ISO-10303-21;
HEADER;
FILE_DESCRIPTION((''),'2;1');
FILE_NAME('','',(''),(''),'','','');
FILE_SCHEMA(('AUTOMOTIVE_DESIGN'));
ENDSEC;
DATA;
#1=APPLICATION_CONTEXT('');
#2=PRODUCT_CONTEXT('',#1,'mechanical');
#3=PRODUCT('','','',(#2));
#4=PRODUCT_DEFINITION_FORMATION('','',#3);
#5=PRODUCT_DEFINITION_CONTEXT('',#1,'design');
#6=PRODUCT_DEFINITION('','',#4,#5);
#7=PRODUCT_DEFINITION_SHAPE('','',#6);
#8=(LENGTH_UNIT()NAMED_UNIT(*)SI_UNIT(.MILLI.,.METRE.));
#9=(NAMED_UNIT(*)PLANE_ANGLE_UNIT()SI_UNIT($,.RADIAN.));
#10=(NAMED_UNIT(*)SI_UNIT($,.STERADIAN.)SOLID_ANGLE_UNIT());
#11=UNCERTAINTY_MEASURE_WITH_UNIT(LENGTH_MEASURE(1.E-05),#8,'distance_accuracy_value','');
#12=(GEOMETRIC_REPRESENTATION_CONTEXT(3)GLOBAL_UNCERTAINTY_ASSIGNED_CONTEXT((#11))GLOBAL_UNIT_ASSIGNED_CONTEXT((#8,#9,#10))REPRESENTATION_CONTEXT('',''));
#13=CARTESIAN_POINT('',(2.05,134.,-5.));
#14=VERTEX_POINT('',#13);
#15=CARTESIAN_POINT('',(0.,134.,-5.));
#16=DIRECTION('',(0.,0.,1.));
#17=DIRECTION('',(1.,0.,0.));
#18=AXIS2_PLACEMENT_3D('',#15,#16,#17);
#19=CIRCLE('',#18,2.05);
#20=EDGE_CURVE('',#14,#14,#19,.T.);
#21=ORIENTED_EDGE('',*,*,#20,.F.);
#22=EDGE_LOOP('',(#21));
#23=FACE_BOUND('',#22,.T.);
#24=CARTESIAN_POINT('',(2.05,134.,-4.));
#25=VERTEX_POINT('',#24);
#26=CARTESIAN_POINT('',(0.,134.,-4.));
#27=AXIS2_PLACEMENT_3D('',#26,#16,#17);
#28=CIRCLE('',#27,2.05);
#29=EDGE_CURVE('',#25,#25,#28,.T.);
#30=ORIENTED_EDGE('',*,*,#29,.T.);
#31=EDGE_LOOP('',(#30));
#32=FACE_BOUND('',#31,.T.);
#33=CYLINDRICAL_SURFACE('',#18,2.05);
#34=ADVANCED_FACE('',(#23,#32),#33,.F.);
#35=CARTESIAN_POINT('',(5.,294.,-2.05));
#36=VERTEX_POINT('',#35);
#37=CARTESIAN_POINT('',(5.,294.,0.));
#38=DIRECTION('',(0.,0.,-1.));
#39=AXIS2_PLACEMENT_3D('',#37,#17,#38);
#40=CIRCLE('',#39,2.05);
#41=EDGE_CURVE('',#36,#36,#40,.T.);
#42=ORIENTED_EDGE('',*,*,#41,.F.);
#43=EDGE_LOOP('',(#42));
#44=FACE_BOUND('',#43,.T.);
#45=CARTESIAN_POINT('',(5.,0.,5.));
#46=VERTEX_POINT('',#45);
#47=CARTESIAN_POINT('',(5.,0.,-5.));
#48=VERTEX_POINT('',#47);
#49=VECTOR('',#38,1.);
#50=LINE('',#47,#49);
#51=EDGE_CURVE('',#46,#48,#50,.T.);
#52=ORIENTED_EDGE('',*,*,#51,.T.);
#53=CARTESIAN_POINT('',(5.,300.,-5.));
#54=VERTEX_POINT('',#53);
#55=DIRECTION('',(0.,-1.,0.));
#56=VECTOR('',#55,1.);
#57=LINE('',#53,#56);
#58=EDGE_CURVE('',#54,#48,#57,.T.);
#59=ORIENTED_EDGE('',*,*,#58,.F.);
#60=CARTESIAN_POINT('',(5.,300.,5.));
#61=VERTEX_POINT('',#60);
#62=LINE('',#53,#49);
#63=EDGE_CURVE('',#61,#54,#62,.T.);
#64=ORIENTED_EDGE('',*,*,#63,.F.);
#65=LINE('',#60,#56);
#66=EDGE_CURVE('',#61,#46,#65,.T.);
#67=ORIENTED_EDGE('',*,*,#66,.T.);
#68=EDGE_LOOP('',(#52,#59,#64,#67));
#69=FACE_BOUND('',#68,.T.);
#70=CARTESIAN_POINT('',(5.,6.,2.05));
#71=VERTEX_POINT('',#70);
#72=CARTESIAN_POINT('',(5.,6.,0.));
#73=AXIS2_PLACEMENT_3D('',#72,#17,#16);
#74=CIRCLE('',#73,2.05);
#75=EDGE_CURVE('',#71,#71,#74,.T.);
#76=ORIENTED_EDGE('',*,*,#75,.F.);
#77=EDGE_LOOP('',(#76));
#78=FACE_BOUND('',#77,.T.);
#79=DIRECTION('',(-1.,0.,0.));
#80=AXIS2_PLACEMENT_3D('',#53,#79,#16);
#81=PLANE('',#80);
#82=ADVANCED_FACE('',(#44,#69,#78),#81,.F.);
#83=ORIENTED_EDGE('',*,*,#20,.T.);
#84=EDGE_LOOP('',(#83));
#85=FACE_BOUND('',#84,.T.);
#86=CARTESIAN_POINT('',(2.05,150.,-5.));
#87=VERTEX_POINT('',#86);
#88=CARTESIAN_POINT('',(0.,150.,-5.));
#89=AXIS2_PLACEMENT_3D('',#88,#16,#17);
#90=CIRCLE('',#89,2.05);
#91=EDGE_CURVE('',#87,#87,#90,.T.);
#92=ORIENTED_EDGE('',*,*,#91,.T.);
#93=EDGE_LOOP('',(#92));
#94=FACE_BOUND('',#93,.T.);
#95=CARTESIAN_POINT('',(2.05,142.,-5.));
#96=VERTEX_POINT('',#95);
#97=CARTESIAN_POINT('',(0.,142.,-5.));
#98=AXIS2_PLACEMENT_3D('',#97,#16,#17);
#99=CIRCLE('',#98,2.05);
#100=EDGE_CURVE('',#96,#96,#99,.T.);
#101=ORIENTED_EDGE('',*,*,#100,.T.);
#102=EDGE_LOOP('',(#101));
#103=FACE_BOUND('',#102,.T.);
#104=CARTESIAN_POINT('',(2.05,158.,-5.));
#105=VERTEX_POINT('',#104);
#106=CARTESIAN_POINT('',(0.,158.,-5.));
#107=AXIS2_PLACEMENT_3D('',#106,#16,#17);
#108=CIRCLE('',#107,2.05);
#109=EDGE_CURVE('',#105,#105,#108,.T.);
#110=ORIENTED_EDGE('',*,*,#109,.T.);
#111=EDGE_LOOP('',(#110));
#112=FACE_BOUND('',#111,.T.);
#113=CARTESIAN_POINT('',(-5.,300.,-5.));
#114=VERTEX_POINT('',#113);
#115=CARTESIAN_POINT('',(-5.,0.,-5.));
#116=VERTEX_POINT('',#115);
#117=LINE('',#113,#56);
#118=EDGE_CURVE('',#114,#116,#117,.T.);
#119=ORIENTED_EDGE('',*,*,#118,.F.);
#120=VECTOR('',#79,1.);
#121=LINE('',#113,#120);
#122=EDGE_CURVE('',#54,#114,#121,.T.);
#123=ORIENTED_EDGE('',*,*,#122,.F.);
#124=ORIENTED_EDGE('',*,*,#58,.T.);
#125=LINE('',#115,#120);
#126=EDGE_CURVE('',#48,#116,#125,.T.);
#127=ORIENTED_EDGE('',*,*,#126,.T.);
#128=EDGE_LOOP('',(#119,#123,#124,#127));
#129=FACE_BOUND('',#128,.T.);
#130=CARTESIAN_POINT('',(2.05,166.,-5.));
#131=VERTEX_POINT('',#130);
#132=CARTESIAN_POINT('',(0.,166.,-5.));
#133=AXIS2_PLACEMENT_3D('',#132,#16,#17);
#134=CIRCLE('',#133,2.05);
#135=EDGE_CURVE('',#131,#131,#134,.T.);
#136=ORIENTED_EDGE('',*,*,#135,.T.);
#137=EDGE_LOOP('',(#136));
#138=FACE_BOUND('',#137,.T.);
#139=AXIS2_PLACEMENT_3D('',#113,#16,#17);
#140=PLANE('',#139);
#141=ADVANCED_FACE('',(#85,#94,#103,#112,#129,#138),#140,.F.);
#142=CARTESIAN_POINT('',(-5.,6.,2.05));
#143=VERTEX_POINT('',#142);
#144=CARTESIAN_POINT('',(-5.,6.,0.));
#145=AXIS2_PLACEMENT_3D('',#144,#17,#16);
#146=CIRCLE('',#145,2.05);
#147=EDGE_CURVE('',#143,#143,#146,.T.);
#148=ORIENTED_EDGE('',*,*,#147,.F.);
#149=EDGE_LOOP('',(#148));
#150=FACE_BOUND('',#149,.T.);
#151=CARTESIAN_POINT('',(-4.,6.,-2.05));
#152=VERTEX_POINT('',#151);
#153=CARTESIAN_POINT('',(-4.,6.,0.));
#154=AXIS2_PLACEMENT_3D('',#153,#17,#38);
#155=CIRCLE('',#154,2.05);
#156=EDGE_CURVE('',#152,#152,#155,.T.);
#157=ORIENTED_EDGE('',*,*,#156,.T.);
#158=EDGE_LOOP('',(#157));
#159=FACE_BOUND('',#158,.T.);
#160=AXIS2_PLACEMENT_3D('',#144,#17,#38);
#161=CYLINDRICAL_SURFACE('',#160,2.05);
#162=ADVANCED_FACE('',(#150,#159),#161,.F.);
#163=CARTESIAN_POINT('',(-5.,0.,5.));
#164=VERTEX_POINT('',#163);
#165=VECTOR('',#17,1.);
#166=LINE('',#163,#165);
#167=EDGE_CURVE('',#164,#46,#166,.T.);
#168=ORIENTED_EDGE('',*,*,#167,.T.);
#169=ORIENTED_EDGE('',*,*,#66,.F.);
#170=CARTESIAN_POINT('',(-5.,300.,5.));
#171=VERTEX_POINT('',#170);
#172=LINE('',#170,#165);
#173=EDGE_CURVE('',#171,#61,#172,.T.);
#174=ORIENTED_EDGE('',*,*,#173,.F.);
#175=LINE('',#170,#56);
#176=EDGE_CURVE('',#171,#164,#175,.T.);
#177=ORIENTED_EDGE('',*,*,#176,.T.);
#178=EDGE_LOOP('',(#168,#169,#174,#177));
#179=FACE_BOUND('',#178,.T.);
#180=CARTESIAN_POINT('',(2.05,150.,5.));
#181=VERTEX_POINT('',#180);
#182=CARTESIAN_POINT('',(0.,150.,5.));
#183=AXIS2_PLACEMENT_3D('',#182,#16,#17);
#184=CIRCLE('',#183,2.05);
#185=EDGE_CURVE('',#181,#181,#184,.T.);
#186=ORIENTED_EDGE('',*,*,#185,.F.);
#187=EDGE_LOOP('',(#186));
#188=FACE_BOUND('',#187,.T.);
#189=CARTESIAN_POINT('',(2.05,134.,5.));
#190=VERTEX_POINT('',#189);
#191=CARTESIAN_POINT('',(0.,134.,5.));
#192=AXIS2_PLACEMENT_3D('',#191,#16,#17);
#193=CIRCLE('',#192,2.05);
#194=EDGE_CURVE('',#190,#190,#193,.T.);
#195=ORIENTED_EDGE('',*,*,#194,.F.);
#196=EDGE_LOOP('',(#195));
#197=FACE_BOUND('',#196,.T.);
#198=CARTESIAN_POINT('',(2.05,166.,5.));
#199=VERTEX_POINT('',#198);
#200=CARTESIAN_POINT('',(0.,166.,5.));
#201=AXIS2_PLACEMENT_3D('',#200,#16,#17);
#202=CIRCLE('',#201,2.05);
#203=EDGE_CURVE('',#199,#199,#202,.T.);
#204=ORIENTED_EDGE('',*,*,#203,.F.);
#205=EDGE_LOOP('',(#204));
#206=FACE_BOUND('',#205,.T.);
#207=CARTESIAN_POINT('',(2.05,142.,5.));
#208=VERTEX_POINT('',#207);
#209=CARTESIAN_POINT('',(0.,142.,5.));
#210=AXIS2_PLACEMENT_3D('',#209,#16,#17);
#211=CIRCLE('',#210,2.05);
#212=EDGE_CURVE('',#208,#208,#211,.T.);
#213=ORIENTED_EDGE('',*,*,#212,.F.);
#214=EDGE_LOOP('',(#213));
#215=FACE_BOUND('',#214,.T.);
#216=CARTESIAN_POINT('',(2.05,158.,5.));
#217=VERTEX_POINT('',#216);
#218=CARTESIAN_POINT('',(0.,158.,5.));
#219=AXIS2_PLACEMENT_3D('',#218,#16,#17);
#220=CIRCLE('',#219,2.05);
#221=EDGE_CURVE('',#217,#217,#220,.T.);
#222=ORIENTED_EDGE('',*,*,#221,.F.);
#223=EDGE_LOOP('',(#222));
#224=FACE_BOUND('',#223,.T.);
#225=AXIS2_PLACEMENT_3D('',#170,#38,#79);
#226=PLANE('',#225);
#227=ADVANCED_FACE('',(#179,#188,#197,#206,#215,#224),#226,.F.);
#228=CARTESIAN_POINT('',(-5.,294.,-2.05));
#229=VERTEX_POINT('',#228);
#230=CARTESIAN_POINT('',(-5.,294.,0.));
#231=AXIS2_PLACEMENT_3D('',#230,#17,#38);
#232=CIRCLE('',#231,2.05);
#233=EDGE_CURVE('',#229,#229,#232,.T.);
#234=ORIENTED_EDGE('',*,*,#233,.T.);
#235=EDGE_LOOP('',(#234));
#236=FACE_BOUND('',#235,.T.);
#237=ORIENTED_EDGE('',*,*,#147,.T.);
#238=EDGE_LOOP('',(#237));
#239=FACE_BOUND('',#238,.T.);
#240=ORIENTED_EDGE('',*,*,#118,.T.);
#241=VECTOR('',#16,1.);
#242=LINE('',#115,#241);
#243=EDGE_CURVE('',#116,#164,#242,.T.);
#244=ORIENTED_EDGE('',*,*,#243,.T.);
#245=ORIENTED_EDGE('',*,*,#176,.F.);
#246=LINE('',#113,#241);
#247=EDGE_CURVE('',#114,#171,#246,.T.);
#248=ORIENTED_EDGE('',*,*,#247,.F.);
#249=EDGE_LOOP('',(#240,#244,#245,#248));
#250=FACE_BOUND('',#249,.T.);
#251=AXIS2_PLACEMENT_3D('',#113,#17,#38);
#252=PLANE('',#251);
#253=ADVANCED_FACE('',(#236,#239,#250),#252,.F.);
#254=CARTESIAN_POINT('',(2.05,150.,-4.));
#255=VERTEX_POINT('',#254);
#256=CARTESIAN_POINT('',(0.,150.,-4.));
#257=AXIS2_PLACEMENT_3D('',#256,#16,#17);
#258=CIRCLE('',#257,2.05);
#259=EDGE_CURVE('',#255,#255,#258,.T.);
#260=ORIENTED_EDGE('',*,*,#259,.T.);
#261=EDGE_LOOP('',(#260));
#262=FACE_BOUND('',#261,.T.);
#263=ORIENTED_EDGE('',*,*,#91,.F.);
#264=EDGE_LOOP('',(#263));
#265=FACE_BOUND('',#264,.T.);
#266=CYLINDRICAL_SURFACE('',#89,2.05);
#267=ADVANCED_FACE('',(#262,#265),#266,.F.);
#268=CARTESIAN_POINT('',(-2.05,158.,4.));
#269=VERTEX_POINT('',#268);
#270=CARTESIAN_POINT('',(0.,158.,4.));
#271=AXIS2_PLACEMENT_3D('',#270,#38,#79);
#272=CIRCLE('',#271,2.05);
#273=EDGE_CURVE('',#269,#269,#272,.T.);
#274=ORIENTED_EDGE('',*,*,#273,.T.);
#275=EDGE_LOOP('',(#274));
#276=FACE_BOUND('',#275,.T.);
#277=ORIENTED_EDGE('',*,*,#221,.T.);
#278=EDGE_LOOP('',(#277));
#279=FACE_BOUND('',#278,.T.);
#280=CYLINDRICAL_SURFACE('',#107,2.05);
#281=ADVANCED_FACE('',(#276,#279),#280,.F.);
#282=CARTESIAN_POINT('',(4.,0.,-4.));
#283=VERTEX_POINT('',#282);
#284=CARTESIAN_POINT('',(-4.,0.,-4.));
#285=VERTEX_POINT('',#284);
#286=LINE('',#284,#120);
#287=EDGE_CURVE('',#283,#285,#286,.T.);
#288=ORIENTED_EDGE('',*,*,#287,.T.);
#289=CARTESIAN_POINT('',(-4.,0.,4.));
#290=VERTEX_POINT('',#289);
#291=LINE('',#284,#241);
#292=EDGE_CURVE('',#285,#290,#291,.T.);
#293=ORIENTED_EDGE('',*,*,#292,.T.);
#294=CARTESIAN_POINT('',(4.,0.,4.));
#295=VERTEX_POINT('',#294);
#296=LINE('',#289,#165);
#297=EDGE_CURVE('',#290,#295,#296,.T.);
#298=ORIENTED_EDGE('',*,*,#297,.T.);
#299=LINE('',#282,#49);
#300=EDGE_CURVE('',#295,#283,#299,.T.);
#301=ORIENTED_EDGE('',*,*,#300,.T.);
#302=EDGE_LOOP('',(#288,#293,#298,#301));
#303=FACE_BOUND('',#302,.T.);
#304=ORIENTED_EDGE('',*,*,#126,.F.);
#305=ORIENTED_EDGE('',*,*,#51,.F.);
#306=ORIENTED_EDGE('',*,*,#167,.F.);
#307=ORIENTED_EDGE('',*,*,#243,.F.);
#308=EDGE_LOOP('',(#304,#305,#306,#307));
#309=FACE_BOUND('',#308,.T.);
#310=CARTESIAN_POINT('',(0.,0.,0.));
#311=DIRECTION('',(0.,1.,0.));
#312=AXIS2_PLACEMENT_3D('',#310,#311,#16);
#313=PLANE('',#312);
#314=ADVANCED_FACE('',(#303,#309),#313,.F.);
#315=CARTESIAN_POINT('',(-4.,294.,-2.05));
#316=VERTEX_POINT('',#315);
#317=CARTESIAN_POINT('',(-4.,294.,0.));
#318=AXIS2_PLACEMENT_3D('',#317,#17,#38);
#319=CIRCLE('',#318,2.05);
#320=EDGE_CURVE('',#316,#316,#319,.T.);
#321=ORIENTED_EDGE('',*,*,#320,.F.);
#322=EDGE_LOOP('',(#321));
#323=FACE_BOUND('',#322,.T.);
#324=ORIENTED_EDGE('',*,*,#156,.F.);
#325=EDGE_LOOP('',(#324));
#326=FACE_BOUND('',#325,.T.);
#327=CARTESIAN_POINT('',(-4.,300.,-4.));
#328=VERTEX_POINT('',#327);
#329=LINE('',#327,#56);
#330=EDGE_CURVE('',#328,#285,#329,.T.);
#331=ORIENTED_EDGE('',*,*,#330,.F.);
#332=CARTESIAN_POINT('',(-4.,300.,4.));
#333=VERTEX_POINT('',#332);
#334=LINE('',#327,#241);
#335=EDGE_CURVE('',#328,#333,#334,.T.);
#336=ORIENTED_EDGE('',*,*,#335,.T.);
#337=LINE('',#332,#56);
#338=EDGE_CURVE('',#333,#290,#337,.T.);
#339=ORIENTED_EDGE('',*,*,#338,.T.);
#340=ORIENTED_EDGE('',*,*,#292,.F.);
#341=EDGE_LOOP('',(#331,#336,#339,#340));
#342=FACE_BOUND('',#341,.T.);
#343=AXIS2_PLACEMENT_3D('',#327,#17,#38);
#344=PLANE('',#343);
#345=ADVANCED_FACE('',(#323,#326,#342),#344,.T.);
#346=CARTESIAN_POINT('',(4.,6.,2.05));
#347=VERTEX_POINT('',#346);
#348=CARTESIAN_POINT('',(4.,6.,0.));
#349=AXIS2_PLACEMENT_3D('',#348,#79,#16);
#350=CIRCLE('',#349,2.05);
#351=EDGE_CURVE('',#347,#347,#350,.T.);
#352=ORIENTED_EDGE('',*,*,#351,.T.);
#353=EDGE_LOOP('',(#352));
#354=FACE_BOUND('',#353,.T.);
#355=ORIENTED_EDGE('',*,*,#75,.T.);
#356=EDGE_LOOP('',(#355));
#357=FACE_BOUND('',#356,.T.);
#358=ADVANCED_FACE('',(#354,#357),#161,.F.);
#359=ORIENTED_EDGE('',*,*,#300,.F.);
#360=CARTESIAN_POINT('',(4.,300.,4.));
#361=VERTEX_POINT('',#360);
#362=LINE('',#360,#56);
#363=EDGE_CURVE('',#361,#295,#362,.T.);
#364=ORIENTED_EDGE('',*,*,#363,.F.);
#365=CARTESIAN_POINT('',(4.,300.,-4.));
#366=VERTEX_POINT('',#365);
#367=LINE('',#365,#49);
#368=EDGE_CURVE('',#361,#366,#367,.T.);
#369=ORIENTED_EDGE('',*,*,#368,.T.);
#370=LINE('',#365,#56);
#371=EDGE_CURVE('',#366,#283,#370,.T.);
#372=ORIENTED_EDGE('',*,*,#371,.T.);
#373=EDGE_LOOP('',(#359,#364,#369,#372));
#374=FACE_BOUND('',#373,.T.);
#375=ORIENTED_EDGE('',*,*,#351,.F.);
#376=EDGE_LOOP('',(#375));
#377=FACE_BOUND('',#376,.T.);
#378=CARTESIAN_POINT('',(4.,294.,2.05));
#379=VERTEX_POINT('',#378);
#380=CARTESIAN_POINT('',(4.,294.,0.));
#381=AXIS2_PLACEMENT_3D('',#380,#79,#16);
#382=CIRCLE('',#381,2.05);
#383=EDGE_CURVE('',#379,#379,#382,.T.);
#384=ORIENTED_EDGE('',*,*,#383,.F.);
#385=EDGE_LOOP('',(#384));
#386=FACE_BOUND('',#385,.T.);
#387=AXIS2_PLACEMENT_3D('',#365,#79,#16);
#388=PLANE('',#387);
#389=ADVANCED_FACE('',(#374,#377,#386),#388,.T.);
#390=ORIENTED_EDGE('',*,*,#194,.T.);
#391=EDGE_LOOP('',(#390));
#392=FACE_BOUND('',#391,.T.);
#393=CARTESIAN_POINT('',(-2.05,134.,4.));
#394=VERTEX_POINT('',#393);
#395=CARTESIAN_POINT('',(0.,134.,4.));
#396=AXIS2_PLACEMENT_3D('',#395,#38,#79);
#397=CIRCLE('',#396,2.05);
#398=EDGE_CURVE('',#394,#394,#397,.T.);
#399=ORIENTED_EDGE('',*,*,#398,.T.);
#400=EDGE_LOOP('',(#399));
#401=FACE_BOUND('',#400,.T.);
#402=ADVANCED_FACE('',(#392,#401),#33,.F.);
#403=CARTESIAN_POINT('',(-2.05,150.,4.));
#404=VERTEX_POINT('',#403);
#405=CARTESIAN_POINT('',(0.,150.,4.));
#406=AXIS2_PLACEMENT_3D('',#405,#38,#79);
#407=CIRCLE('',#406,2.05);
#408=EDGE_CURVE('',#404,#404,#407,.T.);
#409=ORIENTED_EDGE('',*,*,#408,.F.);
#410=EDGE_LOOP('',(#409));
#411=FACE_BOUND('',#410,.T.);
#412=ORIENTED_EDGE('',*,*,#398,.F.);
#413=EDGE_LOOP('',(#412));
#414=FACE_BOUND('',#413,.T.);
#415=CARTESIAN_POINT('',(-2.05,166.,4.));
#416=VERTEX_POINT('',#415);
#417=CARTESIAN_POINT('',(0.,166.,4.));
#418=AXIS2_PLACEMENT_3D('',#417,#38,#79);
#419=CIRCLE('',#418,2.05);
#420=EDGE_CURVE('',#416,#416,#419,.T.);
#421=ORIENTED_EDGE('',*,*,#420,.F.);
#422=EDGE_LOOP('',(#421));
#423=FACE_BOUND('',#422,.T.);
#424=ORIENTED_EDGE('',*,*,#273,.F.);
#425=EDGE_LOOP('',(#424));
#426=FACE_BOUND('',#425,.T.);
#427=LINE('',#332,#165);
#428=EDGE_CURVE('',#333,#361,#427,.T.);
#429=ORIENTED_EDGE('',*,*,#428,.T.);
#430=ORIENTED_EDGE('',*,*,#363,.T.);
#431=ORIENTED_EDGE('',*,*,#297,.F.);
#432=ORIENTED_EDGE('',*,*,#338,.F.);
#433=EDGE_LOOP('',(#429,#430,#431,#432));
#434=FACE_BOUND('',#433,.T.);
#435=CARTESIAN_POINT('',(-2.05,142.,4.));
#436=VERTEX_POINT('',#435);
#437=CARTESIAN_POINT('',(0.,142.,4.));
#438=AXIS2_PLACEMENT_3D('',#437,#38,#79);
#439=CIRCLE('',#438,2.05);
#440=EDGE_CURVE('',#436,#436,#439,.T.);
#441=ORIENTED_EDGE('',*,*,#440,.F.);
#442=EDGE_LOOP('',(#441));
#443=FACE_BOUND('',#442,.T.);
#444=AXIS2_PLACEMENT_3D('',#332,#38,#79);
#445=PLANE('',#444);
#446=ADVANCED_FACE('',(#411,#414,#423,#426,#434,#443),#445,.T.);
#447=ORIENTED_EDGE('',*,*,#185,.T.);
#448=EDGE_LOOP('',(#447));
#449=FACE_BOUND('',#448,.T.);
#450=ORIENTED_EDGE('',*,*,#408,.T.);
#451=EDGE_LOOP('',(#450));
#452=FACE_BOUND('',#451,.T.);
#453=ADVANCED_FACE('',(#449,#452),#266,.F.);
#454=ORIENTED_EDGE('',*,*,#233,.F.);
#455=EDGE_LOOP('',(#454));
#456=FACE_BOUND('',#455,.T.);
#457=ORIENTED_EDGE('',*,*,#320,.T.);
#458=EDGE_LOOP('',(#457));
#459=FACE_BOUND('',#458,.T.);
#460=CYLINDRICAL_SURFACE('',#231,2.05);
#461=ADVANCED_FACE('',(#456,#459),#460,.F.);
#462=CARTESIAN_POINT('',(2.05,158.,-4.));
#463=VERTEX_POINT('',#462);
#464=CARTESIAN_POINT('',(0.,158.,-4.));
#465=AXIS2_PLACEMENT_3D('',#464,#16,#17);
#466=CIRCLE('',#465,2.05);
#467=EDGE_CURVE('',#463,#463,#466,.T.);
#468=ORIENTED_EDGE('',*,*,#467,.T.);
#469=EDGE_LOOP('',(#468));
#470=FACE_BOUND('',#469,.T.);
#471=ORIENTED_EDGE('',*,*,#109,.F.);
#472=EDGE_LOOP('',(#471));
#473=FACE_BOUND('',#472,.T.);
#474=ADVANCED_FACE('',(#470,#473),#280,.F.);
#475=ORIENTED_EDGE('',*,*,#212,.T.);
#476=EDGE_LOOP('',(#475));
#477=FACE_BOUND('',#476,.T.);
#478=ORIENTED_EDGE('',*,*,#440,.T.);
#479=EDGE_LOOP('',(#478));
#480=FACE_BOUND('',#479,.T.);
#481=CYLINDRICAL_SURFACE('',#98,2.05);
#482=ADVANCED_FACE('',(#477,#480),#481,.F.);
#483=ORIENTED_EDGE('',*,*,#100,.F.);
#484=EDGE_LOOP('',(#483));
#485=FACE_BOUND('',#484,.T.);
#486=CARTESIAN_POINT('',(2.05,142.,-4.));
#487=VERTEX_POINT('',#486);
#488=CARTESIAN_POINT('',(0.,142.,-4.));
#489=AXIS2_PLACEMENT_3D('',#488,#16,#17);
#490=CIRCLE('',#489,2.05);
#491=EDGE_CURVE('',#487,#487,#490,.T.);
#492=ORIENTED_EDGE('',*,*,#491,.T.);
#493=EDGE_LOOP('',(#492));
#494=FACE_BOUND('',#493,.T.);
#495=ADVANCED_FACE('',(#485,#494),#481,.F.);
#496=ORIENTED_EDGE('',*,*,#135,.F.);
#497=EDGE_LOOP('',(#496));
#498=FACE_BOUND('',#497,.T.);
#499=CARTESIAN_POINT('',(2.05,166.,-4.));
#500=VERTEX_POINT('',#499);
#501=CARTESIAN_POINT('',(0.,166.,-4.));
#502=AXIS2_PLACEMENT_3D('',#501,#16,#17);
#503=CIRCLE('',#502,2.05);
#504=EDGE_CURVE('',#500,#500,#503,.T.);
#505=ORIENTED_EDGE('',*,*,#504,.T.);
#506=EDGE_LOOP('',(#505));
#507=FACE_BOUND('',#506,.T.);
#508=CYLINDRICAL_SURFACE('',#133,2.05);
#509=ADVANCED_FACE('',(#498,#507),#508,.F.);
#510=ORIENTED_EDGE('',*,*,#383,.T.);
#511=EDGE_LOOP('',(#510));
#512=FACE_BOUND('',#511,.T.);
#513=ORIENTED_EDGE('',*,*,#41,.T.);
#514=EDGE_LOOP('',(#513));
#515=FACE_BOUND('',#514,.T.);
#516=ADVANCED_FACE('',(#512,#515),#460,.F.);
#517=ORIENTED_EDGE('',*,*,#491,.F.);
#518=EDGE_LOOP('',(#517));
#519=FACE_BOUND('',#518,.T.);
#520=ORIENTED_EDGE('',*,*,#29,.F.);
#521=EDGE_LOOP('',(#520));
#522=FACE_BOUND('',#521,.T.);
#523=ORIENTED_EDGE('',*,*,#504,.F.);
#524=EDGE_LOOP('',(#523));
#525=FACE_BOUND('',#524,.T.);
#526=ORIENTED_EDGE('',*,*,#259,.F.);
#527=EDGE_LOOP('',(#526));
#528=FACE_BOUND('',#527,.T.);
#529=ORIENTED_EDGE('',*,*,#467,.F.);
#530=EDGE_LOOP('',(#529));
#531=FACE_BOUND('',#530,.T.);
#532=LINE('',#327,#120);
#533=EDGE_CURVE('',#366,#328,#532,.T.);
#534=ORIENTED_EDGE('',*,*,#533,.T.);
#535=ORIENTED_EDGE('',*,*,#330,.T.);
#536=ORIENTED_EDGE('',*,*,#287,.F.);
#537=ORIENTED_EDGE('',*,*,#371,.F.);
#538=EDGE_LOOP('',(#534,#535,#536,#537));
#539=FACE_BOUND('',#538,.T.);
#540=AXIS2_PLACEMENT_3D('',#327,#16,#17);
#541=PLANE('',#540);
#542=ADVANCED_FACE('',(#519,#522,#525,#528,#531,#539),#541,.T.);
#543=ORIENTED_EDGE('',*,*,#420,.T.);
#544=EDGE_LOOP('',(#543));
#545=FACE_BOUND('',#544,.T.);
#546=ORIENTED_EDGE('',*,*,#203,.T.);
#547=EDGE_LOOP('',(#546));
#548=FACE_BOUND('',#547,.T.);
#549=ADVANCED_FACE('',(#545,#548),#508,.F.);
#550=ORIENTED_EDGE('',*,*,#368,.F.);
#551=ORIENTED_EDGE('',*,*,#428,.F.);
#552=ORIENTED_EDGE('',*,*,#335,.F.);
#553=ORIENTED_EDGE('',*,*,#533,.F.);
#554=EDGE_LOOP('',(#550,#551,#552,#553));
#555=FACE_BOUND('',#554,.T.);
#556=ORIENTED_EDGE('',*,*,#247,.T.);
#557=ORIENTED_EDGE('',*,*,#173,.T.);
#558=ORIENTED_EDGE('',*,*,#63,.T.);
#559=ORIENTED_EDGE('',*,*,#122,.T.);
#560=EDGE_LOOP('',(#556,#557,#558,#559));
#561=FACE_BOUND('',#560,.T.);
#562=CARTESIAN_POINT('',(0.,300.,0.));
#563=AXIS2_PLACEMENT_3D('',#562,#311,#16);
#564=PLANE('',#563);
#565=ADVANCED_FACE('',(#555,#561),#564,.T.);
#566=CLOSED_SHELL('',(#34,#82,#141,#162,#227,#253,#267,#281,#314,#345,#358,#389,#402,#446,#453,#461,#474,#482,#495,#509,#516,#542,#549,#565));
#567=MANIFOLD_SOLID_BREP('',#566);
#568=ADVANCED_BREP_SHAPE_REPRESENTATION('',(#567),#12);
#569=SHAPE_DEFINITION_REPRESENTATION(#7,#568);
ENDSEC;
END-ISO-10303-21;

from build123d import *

# Parameters (mm, degrees)
SKETCH1_W           = 10
SKETCH1_H           = 10
SKETCH1_W_2         = 8
SKETCH1_H_2         = 8
BOSS_EXTRUDE1_DEPTH = 300
SKETCH2_R           = 2.05
CUT_EXTRUDE1_DEPTH  = 301.208261046
SKETCH3_R           = 2.05
CUT_EXTRUDE2_DEPTH  = 301.208261046


with BuildPart() as part:
    # Sketch1 → Boss-Extrude1 (new body)
    with BuildSketch(Plane(origin=(0, 0, 0), x_dir=(1, 0, 0), z_dir=(0, 1, 0))):
        Rectangle(SKETCH1_W, SKETCH1_H)
        Rectangle(SKETCH1_W_2, SKETCH1_H_2, mode=Mode.SUBTRACT)
    extrude(amount=BOSS_EXTRUDE1_DEPTH)

    # Sketch2 → Cut-Extrude1 (cut, through all)
    with BuildSketch(Plane(origin=(5, 0, 0), x_dir=(0, 0, -1), z_dir=(1, 0, 0))):
        with Locations((0, 294)):
            Circle(SKETCH2_R)
        with Locations((0, 6)):
            Circle(SKETCH2_R)
    extrude(amount=-CUT_EXTRUDE1_DEPTH, mode=Mode.SUBTRACT)

    # Sketch3 → Cut-Extrude2 (cut, through all)
    with BuildSketch(Plane.XY.offset(5)):
        with Locations((0, 150)):
            Circle(SKETCH3_R)
        with Locations((0, 158)):
            Circle(SKETCH3_R)
        with Locations((0, 166)):
            Circle(SKETCH3_R)
        with Locations((0, 142)):
            Circle(SKETCH3_R)
        with Locations((0, 134)):
            Circle(SKETCH3_R)
    extrude(amount=-CUT_EXTRUDE2_DEPTH, mode=Mode.SUBTRACT)


solid = part.part
